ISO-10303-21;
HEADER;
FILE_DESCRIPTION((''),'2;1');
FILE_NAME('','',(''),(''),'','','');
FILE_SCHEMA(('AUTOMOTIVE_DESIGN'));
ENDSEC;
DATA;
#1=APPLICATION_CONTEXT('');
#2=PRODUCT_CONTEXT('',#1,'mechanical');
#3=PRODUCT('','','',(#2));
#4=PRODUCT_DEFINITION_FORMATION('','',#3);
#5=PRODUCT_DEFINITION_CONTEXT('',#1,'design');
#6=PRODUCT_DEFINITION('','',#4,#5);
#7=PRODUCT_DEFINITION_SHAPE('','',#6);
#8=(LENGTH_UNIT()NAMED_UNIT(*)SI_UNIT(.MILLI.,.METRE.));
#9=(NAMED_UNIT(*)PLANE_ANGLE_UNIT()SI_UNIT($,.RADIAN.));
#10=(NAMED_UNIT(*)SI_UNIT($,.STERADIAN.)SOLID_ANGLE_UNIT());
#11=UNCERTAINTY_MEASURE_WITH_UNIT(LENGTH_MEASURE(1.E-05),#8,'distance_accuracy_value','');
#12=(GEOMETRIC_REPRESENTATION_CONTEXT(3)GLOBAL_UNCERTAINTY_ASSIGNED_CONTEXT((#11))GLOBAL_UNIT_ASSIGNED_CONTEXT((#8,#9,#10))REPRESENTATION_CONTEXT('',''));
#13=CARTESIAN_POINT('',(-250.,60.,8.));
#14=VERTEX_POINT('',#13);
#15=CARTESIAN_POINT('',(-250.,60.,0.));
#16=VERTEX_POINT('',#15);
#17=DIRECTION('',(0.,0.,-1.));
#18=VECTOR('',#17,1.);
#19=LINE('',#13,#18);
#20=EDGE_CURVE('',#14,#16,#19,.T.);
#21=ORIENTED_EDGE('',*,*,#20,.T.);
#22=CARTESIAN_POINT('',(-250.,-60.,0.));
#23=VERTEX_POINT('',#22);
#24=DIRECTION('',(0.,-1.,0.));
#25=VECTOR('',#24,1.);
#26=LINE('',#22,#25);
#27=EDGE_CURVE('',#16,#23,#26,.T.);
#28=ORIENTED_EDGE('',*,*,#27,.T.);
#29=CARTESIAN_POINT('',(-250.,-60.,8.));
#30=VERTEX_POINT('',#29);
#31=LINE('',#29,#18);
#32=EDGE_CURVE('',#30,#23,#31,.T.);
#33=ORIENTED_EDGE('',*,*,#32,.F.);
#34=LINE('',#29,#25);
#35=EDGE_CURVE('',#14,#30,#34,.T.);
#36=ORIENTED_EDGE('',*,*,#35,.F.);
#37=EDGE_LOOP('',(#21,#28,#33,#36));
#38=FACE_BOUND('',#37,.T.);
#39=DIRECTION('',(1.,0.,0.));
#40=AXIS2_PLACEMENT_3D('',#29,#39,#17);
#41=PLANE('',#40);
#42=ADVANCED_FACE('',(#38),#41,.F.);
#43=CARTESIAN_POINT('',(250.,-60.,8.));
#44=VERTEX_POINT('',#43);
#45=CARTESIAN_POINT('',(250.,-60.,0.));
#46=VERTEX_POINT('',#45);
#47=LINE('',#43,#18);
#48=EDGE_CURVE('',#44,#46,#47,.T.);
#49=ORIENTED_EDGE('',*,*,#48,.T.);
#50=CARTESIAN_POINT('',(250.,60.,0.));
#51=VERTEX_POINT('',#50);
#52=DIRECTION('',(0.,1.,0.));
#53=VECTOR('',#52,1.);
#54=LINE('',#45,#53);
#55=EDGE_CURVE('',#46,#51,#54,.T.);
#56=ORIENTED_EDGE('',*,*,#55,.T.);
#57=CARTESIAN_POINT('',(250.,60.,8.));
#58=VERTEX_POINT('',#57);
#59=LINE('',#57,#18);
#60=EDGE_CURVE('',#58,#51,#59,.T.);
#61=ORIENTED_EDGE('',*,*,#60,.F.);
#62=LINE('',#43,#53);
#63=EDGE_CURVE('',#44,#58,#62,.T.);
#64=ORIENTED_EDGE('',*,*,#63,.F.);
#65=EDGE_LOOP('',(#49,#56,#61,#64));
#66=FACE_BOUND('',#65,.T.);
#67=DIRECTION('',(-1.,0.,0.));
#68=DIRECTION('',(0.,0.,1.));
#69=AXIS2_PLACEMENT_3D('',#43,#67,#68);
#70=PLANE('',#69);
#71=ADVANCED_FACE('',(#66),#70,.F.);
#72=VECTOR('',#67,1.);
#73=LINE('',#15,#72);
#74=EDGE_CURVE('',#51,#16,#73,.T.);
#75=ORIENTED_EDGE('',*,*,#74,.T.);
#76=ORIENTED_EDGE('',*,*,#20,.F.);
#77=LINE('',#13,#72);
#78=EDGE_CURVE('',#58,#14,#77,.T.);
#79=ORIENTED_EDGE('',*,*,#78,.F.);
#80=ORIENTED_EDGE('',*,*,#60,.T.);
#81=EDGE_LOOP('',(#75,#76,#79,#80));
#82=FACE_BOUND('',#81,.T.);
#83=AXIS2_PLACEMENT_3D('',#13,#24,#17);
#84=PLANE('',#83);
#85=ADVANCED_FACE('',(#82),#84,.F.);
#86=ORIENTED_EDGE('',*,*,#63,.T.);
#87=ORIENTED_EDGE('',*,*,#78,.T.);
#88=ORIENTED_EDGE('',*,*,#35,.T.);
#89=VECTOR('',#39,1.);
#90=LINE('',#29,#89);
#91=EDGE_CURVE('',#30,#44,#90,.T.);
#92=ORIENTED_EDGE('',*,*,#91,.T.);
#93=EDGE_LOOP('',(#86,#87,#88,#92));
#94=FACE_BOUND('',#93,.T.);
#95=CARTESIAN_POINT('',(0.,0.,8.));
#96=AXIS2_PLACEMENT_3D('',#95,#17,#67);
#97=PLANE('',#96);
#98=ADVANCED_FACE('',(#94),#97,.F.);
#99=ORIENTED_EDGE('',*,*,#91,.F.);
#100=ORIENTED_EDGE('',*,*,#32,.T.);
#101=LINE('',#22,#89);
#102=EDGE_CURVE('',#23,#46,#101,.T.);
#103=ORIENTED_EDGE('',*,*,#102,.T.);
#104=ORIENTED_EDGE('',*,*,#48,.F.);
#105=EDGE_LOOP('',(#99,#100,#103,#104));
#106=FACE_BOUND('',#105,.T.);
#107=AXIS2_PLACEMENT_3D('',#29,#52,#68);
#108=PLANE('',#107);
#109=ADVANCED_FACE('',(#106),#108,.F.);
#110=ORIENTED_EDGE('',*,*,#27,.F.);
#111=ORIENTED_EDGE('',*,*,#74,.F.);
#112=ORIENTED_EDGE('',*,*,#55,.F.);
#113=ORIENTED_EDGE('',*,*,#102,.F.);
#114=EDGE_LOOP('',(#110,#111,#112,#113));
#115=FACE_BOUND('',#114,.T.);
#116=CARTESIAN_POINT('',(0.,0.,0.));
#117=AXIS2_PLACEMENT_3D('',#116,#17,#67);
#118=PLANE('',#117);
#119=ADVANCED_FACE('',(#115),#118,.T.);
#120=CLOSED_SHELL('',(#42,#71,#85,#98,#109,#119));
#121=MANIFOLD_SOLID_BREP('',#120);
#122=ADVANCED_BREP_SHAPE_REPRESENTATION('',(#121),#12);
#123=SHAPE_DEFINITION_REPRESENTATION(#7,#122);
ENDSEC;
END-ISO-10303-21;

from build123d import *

# Parameters (mm, degrees)
SKETCH1_W           = 500
SKETCH1_H           = 120
BOSS_EXTRUDE1_DEPTH = 8


with BuildPart() as part:
    # Sketch1 → Boss-Extrude1 (new body)
    with BuildSketch(Plane.XY):
        Rectangle(SKETCH1_W, SKETCH1_H)
    extrude(amount=BOSS_EXTRUDE1_DEPTH)


solid = part.part
